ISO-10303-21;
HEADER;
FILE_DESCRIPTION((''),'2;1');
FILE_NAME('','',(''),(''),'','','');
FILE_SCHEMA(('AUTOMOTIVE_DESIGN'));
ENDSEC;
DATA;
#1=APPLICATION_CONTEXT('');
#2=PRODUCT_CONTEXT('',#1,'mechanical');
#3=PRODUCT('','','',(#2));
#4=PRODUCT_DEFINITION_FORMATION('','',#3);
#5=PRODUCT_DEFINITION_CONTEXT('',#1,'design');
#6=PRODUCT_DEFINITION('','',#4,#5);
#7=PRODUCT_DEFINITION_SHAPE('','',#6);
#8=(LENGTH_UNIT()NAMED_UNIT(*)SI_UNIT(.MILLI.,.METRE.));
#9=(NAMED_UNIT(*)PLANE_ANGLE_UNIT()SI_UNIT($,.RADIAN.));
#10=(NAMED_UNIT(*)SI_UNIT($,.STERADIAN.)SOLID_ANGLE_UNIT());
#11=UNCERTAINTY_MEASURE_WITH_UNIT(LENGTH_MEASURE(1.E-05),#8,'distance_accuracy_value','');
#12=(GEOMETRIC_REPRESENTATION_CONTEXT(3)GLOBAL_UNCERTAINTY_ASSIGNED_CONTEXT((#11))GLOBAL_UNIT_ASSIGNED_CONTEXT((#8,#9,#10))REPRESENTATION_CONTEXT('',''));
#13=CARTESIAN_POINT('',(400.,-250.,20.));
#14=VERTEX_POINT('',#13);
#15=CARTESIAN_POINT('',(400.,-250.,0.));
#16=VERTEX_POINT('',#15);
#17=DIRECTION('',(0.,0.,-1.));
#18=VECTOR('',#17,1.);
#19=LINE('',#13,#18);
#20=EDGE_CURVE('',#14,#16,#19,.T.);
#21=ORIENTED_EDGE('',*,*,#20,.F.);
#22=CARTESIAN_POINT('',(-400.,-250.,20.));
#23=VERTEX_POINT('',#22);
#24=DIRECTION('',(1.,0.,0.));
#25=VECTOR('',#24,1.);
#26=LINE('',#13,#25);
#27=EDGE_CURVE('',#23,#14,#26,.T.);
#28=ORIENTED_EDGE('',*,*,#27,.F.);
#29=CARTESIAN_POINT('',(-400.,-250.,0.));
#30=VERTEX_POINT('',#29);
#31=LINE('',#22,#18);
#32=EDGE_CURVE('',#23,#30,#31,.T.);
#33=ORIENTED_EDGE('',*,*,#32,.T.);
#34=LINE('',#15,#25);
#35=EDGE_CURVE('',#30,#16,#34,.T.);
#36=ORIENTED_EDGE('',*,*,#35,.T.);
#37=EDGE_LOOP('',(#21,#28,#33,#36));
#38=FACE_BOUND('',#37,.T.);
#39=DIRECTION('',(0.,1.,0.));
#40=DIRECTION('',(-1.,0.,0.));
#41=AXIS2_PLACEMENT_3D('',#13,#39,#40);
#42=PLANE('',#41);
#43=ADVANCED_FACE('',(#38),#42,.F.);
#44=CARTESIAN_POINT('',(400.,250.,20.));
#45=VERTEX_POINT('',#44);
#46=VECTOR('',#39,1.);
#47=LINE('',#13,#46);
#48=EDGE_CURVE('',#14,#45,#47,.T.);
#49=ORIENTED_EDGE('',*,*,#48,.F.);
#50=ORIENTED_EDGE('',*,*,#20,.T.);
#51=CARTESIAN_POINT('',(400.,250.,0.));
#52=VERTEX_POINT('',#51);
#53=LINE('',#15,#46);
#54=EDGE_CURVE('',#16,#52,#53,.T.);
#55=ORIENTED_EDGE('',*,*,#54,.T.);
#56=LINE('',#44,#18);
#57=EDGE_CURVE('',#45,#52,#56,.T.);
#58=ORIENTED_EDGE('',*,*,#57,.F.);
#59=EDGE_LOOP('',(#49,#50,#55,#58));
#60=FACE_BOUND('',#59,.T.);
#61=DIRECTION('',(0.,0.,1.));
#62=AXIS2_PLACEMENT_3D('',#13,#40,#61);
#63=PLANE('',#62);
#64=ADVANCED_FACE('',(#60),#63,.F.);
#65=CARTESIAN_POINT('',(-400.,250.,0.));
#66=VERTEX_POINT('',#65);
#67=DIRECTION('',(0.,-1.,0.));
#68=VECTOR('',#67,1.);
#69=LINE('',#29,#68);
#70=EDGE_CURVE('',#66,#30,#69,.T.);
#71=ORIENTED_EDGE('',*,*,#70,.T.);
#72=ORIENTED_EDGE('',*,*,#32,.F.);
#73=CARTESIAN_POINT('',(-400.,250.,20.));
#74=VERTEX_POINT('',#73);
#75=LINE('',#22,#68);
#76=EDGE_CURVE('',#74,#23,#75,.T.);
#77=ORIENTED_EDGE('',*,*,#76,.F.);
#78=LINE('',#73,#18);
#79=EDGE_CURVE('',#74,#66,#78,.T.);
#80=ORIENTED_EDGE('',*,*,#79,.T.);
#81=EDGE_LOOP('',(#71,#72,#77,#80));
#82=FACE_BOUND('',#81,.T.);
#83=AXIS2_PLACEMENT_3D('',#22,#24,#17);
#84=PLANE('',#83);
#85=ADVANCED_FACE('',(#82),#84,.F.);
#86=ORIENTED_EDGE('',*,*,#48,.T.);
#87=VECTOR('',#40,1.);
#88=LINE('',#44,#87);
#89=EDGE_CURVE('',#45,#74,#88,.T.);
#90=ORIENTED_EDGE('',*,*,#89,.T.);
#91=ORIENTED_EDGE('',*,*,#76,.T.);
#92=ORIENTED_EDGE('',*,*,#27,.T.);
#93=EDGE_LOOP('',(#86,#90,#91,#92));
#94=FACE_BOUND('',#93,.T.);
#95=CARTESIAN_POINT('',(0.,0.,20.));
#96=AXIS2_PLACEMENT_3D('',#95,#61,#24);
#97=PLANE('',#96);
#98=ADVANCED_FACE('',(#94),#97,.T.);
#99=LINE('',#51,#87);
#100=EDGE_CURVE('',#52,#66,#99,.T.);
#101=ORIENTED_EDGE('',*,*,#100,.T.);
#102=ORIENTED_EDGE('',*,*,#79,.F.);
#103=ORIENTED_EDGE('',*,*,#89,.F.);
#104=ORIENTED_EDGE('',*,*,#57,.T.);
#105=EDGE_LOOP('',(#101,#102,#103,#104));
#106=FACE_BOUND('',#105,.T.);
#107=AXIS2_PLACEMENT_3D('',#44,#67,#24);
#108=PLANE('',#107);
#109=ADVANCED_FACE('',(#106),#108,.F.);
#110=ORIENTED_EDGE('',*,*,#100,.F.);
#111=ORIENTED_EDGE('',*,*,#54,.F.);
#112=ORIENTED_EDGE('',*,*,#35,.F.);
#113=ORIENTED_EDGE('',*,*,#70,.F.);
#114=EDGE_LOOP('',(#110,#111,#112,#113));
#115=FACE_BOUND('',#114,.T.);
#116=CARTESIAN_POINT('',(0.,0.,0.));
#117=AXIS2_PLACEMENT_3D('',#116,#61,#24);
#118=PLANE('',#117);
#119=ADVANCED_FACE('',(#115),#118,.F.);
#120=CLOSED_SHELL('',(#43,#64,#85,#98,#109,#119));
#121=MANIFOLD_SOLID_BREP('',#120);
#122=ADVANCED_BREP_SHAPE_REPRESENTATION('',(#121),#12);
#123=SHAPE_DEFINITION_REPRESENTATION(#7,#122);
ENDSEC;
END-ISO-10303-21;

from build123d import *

# Parameters (mm, degrees)
ESBO_O1_W                = 800
ESBO_O1_H                = 500
RESSALTO_EXTRUS_O1_DEPTH = 20


with BuildPart() as part:
    # Esboço1 → Ressalto-extrusão1 (new body)
    with BuildSketch(Plane.XY):
        Rectangle(ESBO_O1_W, ESBO_O1_H)
    extrude(amount=RESSALTO_EXTRUS_O1_DEPTH)


solid = part.part
